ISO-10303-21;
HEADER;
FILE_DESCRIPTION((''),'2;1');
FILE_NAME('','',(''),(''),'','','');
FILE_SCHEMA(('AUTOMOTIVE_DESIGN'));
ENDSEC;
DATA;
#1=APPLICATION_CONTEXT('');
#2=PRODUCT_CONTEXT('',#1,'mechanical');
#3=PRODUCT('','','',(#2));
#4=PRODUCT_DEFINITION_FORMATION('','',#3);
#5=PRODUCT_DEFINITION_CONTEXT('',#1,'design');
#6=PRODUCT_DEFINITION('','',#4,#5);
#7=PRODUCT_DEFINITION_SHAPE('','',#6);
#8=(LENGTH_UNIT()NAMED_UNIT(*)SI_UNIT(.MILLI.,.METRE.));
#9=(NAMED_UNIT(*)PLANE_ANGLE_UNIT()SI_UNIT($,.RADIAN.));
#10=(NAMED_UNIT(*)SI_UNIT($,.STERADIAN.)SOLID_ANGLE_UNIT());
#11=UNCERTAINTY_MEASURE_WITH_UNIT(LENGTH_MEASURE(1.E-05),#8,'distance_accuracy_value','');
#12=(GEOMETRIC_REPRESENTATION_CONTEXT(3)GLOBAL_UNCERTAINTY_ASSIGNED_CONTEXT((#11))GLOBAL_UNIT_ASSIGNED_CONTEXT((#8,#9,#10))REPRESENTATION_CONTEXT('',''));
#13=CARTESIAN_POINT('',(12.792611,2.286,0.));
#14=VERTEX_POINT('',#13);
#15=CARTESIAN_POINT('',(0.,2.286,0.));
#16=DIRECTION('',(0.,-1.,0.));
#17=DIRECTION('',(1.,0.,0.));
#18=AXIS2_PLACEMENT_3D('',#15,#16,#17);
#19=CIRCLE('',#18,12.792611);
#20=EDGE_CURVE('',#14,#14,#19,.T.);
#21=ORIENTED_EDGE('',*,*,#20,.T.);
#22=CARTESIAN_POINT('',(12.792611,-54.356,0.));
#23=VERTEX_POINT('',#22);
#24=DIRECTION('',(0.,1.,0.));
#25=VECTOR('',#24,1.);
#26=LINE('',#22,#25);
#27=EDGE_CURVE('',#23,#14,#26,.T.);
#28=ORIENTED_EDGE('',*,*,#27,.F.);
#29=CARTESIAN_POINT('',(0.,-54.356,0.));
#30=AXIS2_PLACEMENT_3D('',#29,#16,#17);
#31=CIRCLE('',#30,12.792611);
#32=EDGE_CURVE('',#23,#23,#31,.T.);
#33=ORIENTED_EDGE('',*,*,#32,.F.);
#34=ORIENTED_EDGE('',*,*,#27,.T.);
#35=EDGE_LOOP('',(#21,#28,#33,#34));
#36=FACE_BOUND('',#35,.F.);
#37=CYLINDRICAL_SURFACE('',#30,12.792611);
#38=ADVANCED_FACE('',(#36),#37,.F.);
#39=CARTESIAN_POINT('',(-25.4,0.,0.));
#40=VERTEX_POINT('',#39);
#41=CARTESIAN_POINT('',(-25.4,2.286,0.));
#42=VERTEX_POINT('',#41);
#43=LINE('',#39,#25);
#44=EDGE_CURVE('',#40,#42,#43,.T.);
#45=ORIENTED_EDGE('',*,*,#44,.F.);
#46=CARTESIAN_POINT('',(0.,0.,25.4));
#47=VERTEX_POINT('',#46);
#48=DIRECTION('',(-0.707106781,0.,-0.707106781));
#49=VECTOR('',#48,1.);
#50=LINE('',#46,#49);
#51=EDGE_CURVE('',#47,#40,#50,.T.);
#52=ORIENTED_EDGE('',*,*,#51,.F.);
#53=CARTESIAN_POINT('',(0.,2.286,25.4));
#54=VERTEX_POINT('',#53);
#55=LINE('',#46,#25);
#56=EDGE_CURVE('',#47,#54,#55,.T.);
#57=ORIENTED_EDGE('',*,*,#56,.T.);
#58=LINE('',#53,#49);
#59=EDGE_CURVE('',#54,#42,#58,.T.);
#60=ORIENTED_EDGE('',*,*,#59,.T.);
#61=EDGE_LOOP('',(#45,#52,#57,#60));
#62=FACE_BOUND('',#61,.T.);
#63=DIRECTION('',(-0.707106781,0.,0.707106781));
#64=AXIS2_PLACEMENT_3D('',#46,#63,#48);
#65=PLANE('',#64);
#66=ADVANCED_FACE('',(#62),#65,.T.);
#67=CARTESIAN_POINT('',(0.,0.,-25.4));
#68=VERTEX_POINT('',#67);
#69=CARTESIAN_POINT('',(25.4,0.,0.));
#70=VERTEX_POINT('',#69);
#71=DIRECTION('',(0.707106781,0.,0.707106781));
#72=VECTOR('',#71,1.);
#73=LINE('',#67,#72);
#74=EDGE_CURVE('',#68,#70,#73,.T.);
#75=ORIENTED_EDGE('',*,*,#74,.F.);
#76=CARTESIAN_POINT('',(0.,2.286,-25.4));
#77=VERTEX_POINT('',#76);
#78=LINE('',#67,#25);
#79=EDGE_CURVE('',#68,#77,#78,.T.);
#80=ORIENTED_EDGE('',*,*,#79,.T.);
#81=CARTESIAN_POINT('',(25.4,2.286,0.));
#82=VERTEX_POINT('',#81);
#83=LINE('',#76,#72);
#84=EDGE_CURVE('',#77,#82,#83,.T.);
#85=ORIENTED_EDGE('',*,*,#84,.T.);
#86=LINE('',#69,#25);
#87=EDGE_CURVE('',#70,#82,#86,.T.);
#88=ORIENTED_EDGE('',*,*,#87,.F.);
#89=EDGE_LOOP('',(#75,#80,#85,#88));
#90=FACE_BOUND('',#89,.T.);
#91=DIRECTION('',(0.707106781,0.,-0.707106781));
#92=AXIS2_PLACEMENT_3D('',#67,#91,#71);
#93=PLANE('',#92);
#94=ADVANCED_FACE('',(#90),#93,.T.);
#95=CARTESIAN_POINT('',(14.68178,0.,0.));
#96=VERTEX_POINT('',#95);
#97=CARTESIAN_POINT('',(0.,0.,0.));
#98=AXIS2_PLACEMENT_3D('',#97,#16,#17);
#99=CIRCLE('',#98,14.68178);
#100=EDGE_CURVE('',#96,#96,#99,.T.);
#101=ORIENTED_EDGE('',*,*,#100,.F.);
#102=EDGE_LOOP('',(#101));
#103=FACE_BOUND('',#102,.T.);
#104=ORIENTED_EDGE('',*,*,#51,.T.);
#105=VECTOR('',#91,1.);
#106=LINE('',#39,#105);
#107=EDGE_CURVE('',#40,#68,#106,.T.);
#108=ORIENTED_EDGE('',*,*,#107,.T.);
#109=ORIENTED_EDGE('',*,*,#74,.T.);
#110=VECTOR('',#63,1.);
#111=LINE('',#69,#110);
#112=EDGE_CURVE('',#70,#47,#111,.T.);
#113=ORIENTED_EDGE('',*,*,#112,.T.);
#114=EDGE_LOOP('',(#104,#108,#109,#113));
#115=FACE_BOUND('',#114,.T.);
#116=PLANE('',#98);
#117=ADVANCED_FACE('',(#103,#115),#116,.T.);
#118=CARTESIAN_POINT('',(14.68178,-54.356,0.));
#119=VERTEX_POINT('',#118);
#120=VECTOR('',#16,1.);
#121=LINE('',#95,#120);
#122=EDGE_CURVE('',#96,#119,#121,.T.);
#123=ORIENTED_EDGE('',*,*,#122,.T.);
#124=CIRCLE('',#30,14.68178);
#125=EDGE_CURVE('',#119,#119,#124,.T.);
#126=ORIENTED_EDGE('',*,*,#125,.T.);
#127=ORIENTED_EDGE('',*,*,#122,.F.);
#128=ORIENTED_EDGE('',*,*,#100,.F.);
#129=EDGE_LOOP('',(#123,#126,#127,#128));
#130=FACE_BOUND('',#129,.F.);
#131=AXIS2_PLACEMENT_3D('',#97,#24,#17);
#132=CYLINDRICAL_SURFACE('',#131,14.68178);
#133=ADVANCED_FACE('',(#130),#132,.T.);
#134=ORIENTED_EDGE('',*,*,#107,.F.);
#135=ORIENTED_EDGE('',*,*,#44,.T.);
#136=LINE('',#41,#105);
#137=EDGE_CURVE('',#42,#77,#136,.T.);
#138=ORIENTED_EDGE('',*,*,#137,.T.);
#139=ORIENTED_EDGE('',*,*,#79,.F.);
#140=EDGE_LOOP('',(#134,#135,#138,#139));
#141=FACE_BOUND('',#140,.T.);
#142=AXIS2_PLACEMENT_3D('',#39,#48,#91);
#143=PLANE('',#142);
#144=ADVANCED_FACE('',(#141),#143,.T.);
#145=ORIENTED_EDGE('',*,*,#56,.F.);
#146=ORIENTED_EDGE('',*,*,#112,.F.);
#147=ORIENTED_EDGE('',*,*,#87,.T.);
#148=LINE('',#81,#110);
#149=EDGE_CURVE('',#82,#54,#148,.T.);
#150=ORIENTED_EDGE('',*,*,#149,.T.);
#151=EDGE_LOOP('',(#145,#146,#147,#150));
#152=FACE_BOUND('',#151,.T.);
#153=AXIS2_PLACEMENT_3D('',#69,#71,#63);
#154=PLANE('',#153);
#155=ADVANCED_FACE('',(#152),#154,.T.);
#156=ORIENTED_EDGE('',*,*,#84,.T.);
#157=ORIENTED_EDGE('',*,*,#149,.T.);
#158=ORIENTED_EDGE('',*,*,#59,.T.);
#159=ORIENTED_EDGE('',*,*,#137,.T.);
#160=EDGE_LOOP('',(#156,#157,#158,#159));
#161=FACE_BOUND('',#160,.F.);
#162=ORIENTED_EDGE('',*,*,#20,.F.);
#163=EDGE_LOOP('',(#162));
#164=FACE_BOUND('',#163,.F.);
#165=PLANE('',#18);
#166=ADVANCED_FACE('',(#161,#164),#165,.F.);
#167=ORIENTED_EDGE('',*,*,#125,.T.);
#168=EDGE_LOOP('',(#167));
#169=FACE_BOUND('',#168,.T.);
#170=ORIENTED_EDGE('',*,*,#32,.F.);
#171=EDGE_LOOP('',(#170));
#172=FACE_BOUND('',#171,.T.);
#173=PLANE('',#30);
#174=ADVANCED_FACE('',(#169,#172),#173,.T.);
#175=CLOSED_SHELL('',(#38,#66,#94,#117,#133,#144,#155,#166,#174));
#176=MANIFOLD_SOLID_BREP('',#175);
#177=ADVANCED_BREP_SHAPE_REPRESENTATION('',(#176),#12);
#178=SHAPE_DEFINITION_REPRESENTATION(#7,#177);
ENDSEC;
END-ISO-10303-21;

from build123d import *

# Parameters (mm, degrees)
F2_DEPTH = 2.286
F1_R     = 14.68178
F3_DEPTH = 54.356
F4_R     = 12.792611
F5_DEPTH = 76.2


with BuildPart() as f2:
    # F0 (on Front) → F2 (new body)
    with BuildSketch(Plane.XZ):
        Polygon((0, 25.4), (-25.4, 0), (0, -25.4), (25.4, 0), align=None)
    extrude(amount=-F2_DEPTH)

    # F1 (on Front) → F3 (join)
    with BuildSketch(Plane.XZ):
        Circle(F1_R)
    extrude(amount=F3_DEPTH)

    # F4 (on face) → F5 (cut)
    with BuildSketch(Plane.XZ.offset(54.356)):
        Circle(F4_R)
    extrude(amount=-F5_DEPTH, mode=Mode.SUBTRACT)


solid = f2.part
